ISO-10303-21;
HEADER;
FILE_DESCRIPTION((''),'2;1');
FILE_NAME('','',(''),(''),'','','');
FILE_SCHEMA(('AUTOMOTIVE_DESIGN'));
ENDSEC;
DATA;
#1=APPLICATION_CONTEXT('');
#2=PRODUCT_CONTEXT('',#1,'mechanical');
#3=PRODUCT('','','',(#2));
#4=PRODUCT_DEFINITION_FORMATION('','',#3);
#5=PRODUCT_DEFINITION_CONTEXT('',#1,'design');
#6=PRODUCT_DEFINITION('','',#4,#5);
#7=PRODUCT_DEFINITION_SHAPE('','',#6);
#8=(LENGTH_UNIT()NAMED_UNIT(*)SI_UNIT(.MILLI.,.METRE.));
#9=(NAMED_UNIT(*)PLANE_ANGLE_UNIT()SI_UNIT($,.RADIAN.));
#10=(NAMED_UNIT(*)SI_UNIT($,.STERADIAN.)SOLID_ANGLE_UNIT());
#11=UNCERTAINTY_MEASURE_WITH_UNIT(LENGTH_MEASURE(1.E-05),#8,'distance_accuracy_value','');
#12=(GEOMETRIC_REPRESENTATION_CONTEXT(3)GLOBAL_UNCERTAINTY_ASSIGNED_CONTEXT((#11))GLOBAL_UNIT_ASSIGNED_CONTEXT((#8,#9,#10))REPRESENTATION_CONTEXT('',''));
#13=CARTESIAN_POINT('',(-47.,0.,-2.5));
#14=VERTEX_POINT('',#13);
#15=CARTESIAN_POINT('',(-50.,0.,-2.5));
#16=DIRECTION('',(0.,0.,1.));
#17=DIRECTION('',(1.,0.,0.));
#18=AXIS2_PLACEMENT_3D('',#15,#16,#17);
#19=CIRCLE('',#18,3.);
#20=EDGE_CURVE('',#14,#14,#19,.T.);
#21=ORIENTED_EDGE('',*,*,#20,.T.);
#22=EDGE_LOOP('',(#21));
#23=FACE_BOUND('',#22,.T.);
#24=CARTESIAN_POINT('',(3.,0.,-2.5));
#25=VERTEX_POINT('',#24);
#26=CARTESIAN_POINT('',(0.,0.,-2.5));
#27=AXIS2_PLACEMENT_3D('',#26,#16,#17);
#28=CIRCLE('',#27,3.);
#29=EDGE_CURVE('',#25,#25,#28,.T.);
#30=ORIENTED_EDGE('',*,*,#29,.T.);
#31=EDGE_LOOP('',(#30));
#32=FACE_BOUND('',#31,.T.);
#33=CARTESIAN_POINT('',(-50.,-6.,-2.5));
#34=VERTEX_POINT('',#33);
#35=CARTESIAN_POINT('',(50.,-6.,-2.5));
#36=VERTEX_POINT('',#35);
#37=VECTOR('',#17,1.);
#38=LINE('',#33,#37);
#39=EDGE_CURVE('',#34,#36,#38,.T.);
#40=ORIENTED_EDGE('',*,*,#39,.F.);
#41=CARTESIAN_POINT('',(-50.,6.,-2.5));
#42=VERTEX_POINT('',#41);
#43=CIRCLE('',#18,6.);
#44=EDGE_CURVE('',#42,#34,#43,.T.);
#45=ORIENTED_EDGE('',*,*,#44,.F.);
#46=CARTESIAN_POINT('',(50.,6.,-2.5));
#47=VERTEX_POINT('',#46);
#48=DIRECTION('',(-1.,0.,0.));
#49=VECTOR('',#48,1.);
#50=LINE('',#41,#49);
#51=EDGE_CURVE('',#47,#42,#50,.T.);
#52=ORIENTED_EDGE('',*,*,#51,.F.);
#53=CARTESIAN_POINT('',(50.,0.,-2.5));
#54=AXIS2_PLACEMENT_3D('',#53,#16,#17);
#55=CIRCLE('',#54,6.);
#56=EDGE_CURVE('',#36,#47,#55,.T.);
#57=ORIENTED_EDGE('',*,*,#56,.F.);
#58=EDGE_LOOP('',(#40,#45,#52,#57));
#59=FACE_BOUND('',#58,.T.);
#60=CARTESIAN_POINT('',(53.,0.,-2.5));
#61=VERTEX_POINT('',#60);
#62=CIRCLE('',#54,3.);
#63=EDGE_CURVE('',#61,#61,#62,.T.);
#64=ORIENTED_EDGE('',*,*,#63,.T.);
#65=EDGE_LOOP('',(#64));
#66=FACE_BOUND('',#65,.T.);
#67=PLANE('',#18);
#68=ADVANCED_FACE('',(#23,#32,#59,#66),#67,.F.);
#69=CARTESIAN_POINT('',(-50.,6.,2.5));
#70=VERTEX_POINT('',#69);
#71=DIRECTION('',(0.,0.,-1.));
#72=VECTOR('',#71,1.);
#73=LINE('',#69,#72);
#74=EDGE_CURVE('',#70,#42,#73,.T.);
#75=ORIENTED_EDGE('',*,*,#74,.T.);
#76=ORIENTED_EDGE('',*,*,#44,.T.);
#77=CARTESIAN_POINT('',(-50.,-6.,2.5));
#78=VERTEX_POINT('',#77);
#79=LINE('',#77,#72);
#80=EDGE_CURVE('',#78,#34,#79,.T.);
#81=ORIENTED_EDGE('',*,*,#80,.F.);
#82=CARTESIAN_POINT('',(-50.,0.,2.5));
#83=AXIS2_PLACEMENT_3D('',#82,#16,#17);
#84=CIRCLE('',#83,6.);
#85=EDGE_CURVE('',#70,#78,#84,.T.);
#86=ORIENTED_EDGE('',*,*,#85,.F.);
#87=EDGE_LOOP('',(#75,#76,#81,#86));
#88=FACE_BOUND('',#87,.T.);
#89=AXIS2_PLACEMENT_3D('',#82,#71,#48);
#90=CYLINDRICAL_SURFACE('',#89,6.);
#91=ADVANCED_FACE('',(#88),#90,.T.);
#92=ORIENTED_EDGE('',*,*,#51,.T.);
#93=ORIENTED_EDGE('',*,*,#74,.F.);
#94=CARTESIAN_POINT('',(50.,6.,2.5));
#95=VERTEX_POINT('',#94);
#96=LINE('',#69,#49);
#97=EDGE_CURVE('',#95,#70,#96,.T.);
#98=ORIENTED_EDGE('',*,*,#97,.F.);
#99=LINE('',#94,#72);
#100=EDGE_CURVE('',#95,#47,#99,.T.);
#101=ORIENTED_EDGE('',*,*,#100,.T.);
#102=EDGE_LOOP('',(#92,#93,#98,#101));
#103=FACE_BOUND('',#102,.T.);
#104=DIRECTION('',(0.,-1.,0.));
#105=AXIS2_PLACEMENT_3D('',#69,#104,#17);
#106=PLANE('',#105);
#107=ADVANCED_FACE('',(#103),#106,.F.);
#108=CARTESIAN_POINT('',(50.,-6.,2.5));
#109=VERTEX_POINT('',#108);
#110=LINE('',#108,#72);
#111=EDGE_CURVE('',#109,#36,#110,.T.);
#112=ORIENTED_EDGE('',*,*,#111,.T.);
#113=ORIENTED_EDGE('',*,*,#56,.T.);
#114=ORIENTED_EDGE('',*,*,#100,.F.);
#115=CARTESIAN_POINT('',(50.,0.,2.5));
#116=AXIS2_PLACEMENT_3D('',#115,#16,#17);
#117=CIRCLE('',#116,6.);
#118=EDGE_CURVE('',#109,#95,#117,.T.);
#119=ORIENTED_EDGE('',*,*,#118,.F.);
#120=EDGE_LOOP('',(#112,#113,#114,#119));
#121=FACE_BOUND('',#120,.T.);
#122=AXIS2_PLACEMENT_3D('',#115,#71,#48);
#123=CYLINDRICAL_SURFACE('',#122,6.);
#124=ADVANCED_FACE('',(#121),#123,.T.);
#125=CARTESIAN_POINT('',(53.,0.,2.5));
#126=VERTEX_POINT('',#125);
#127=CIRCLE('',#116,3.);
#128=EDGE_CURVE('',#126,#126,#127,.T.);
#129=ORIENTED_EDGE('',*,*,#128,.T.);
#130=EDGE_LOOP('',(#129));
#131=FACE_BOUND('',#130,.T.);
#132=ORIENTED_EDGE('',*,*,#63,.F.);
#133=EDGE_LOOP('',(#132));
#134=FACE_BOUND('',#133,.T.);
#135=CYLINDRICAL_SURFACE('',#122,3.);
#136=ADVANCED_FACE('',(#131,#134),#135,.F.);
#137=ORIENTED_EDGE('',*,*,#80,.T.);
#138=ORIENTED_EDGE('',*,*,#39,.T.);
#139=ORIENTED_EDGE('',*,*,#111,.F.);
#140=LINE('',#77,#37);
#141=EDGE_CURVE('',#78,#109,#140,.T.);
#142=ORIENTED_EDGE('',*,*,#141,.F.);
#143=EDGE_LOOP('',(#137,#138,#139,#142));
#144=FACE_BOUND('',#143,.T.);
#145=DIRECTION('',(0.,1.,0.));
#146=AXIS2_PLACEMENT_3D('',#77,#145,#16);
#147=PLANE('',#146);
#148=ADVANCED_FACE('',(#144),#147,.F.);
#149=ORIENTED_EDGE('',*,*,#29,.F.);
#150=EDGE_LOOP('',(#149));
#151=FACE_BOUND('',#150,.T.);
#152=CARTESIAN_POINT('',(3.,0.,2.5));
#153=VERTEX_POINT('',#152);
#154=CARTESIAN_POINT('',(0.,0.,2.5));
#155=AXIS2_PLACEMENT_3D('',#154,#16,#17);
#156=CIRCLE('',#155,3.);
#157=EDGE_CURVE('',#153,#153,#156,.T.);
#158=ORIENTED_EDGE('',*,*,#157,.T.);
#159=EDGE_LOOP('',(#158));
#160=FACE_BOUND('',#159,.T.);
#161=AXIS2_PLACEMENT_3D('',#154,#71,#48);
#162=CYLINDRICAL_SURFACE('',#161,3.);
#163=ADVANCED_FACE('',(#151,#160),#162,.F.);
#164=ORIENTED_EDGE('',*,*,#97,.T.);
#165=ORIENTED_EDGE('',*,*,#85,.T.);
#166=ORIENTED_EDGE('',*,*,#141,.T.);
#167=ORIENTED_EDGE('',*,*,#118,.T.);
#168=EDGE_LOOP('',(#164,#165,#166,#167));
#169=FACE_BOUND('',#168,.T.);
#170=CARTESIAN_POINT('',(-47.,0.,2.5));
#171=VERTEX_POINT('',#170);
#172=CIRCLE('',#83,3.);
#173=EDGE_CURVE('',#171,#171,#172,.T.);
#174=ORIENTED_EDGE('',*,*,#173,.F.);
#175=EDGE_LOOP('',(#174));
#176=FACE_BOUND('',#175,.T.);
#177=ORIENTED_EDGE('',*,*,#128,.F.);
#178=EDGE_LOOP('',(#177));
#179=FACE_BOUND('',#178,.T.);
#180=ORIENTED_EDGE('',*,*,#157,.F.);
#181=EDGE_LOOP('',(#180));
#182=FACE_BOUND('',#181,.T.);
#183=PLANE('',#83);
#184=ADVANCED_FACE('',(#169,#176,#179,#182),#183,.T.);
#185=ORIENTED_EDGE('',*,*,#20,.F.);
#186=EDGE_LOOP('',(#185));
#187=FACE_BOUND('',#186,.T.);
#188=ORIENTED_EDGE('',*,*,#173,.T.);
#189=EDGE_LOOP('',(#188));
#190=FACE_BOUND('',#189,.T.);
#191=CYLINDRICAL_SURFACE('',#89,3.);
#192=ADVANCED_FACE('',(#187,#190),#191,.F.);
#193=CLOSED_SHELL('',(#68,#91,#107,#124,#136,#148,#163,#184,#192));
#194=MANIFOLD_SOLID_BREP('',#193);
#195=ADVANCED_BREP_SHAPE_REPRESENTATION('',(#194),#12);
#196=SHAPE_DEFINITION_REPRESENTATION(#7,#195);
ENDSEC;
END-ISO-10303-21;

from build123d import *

# Parameters (mm, degrees)
SKETCH1_R           = 3
BOSS_EXTRUDE1_DEPTH = 2.5


with BuildPart() as part:
    # Sketch1 → Boss-Extrude1 (new, symmetric)
    with BuildSketch(Plane.XY):
        with BuildLine():
            Line((-50, 6), (50, 6))
            ThreePointArc((50, 6), (56, 0), (50, -6))
            Line((50, -6), (-50, -6))
            ThreePointArc((-50, -6), (-56, 0), (-50, 6))
        make_face()
        with Locations((-50, 0)):
            Circle(SKETCH1_R, mode=Mode.SUBTRACT)
        with Locations((50, 0)):
            Circle(SKETCH1_R, mode=Mode.SUBTRACT)
        Circle(SKETCH1_R, mode=Mode.SUBTRACT)
    extrude(amount=BOSS_EXTRUDE1_DEPTH, both=True)


solid = part.part
